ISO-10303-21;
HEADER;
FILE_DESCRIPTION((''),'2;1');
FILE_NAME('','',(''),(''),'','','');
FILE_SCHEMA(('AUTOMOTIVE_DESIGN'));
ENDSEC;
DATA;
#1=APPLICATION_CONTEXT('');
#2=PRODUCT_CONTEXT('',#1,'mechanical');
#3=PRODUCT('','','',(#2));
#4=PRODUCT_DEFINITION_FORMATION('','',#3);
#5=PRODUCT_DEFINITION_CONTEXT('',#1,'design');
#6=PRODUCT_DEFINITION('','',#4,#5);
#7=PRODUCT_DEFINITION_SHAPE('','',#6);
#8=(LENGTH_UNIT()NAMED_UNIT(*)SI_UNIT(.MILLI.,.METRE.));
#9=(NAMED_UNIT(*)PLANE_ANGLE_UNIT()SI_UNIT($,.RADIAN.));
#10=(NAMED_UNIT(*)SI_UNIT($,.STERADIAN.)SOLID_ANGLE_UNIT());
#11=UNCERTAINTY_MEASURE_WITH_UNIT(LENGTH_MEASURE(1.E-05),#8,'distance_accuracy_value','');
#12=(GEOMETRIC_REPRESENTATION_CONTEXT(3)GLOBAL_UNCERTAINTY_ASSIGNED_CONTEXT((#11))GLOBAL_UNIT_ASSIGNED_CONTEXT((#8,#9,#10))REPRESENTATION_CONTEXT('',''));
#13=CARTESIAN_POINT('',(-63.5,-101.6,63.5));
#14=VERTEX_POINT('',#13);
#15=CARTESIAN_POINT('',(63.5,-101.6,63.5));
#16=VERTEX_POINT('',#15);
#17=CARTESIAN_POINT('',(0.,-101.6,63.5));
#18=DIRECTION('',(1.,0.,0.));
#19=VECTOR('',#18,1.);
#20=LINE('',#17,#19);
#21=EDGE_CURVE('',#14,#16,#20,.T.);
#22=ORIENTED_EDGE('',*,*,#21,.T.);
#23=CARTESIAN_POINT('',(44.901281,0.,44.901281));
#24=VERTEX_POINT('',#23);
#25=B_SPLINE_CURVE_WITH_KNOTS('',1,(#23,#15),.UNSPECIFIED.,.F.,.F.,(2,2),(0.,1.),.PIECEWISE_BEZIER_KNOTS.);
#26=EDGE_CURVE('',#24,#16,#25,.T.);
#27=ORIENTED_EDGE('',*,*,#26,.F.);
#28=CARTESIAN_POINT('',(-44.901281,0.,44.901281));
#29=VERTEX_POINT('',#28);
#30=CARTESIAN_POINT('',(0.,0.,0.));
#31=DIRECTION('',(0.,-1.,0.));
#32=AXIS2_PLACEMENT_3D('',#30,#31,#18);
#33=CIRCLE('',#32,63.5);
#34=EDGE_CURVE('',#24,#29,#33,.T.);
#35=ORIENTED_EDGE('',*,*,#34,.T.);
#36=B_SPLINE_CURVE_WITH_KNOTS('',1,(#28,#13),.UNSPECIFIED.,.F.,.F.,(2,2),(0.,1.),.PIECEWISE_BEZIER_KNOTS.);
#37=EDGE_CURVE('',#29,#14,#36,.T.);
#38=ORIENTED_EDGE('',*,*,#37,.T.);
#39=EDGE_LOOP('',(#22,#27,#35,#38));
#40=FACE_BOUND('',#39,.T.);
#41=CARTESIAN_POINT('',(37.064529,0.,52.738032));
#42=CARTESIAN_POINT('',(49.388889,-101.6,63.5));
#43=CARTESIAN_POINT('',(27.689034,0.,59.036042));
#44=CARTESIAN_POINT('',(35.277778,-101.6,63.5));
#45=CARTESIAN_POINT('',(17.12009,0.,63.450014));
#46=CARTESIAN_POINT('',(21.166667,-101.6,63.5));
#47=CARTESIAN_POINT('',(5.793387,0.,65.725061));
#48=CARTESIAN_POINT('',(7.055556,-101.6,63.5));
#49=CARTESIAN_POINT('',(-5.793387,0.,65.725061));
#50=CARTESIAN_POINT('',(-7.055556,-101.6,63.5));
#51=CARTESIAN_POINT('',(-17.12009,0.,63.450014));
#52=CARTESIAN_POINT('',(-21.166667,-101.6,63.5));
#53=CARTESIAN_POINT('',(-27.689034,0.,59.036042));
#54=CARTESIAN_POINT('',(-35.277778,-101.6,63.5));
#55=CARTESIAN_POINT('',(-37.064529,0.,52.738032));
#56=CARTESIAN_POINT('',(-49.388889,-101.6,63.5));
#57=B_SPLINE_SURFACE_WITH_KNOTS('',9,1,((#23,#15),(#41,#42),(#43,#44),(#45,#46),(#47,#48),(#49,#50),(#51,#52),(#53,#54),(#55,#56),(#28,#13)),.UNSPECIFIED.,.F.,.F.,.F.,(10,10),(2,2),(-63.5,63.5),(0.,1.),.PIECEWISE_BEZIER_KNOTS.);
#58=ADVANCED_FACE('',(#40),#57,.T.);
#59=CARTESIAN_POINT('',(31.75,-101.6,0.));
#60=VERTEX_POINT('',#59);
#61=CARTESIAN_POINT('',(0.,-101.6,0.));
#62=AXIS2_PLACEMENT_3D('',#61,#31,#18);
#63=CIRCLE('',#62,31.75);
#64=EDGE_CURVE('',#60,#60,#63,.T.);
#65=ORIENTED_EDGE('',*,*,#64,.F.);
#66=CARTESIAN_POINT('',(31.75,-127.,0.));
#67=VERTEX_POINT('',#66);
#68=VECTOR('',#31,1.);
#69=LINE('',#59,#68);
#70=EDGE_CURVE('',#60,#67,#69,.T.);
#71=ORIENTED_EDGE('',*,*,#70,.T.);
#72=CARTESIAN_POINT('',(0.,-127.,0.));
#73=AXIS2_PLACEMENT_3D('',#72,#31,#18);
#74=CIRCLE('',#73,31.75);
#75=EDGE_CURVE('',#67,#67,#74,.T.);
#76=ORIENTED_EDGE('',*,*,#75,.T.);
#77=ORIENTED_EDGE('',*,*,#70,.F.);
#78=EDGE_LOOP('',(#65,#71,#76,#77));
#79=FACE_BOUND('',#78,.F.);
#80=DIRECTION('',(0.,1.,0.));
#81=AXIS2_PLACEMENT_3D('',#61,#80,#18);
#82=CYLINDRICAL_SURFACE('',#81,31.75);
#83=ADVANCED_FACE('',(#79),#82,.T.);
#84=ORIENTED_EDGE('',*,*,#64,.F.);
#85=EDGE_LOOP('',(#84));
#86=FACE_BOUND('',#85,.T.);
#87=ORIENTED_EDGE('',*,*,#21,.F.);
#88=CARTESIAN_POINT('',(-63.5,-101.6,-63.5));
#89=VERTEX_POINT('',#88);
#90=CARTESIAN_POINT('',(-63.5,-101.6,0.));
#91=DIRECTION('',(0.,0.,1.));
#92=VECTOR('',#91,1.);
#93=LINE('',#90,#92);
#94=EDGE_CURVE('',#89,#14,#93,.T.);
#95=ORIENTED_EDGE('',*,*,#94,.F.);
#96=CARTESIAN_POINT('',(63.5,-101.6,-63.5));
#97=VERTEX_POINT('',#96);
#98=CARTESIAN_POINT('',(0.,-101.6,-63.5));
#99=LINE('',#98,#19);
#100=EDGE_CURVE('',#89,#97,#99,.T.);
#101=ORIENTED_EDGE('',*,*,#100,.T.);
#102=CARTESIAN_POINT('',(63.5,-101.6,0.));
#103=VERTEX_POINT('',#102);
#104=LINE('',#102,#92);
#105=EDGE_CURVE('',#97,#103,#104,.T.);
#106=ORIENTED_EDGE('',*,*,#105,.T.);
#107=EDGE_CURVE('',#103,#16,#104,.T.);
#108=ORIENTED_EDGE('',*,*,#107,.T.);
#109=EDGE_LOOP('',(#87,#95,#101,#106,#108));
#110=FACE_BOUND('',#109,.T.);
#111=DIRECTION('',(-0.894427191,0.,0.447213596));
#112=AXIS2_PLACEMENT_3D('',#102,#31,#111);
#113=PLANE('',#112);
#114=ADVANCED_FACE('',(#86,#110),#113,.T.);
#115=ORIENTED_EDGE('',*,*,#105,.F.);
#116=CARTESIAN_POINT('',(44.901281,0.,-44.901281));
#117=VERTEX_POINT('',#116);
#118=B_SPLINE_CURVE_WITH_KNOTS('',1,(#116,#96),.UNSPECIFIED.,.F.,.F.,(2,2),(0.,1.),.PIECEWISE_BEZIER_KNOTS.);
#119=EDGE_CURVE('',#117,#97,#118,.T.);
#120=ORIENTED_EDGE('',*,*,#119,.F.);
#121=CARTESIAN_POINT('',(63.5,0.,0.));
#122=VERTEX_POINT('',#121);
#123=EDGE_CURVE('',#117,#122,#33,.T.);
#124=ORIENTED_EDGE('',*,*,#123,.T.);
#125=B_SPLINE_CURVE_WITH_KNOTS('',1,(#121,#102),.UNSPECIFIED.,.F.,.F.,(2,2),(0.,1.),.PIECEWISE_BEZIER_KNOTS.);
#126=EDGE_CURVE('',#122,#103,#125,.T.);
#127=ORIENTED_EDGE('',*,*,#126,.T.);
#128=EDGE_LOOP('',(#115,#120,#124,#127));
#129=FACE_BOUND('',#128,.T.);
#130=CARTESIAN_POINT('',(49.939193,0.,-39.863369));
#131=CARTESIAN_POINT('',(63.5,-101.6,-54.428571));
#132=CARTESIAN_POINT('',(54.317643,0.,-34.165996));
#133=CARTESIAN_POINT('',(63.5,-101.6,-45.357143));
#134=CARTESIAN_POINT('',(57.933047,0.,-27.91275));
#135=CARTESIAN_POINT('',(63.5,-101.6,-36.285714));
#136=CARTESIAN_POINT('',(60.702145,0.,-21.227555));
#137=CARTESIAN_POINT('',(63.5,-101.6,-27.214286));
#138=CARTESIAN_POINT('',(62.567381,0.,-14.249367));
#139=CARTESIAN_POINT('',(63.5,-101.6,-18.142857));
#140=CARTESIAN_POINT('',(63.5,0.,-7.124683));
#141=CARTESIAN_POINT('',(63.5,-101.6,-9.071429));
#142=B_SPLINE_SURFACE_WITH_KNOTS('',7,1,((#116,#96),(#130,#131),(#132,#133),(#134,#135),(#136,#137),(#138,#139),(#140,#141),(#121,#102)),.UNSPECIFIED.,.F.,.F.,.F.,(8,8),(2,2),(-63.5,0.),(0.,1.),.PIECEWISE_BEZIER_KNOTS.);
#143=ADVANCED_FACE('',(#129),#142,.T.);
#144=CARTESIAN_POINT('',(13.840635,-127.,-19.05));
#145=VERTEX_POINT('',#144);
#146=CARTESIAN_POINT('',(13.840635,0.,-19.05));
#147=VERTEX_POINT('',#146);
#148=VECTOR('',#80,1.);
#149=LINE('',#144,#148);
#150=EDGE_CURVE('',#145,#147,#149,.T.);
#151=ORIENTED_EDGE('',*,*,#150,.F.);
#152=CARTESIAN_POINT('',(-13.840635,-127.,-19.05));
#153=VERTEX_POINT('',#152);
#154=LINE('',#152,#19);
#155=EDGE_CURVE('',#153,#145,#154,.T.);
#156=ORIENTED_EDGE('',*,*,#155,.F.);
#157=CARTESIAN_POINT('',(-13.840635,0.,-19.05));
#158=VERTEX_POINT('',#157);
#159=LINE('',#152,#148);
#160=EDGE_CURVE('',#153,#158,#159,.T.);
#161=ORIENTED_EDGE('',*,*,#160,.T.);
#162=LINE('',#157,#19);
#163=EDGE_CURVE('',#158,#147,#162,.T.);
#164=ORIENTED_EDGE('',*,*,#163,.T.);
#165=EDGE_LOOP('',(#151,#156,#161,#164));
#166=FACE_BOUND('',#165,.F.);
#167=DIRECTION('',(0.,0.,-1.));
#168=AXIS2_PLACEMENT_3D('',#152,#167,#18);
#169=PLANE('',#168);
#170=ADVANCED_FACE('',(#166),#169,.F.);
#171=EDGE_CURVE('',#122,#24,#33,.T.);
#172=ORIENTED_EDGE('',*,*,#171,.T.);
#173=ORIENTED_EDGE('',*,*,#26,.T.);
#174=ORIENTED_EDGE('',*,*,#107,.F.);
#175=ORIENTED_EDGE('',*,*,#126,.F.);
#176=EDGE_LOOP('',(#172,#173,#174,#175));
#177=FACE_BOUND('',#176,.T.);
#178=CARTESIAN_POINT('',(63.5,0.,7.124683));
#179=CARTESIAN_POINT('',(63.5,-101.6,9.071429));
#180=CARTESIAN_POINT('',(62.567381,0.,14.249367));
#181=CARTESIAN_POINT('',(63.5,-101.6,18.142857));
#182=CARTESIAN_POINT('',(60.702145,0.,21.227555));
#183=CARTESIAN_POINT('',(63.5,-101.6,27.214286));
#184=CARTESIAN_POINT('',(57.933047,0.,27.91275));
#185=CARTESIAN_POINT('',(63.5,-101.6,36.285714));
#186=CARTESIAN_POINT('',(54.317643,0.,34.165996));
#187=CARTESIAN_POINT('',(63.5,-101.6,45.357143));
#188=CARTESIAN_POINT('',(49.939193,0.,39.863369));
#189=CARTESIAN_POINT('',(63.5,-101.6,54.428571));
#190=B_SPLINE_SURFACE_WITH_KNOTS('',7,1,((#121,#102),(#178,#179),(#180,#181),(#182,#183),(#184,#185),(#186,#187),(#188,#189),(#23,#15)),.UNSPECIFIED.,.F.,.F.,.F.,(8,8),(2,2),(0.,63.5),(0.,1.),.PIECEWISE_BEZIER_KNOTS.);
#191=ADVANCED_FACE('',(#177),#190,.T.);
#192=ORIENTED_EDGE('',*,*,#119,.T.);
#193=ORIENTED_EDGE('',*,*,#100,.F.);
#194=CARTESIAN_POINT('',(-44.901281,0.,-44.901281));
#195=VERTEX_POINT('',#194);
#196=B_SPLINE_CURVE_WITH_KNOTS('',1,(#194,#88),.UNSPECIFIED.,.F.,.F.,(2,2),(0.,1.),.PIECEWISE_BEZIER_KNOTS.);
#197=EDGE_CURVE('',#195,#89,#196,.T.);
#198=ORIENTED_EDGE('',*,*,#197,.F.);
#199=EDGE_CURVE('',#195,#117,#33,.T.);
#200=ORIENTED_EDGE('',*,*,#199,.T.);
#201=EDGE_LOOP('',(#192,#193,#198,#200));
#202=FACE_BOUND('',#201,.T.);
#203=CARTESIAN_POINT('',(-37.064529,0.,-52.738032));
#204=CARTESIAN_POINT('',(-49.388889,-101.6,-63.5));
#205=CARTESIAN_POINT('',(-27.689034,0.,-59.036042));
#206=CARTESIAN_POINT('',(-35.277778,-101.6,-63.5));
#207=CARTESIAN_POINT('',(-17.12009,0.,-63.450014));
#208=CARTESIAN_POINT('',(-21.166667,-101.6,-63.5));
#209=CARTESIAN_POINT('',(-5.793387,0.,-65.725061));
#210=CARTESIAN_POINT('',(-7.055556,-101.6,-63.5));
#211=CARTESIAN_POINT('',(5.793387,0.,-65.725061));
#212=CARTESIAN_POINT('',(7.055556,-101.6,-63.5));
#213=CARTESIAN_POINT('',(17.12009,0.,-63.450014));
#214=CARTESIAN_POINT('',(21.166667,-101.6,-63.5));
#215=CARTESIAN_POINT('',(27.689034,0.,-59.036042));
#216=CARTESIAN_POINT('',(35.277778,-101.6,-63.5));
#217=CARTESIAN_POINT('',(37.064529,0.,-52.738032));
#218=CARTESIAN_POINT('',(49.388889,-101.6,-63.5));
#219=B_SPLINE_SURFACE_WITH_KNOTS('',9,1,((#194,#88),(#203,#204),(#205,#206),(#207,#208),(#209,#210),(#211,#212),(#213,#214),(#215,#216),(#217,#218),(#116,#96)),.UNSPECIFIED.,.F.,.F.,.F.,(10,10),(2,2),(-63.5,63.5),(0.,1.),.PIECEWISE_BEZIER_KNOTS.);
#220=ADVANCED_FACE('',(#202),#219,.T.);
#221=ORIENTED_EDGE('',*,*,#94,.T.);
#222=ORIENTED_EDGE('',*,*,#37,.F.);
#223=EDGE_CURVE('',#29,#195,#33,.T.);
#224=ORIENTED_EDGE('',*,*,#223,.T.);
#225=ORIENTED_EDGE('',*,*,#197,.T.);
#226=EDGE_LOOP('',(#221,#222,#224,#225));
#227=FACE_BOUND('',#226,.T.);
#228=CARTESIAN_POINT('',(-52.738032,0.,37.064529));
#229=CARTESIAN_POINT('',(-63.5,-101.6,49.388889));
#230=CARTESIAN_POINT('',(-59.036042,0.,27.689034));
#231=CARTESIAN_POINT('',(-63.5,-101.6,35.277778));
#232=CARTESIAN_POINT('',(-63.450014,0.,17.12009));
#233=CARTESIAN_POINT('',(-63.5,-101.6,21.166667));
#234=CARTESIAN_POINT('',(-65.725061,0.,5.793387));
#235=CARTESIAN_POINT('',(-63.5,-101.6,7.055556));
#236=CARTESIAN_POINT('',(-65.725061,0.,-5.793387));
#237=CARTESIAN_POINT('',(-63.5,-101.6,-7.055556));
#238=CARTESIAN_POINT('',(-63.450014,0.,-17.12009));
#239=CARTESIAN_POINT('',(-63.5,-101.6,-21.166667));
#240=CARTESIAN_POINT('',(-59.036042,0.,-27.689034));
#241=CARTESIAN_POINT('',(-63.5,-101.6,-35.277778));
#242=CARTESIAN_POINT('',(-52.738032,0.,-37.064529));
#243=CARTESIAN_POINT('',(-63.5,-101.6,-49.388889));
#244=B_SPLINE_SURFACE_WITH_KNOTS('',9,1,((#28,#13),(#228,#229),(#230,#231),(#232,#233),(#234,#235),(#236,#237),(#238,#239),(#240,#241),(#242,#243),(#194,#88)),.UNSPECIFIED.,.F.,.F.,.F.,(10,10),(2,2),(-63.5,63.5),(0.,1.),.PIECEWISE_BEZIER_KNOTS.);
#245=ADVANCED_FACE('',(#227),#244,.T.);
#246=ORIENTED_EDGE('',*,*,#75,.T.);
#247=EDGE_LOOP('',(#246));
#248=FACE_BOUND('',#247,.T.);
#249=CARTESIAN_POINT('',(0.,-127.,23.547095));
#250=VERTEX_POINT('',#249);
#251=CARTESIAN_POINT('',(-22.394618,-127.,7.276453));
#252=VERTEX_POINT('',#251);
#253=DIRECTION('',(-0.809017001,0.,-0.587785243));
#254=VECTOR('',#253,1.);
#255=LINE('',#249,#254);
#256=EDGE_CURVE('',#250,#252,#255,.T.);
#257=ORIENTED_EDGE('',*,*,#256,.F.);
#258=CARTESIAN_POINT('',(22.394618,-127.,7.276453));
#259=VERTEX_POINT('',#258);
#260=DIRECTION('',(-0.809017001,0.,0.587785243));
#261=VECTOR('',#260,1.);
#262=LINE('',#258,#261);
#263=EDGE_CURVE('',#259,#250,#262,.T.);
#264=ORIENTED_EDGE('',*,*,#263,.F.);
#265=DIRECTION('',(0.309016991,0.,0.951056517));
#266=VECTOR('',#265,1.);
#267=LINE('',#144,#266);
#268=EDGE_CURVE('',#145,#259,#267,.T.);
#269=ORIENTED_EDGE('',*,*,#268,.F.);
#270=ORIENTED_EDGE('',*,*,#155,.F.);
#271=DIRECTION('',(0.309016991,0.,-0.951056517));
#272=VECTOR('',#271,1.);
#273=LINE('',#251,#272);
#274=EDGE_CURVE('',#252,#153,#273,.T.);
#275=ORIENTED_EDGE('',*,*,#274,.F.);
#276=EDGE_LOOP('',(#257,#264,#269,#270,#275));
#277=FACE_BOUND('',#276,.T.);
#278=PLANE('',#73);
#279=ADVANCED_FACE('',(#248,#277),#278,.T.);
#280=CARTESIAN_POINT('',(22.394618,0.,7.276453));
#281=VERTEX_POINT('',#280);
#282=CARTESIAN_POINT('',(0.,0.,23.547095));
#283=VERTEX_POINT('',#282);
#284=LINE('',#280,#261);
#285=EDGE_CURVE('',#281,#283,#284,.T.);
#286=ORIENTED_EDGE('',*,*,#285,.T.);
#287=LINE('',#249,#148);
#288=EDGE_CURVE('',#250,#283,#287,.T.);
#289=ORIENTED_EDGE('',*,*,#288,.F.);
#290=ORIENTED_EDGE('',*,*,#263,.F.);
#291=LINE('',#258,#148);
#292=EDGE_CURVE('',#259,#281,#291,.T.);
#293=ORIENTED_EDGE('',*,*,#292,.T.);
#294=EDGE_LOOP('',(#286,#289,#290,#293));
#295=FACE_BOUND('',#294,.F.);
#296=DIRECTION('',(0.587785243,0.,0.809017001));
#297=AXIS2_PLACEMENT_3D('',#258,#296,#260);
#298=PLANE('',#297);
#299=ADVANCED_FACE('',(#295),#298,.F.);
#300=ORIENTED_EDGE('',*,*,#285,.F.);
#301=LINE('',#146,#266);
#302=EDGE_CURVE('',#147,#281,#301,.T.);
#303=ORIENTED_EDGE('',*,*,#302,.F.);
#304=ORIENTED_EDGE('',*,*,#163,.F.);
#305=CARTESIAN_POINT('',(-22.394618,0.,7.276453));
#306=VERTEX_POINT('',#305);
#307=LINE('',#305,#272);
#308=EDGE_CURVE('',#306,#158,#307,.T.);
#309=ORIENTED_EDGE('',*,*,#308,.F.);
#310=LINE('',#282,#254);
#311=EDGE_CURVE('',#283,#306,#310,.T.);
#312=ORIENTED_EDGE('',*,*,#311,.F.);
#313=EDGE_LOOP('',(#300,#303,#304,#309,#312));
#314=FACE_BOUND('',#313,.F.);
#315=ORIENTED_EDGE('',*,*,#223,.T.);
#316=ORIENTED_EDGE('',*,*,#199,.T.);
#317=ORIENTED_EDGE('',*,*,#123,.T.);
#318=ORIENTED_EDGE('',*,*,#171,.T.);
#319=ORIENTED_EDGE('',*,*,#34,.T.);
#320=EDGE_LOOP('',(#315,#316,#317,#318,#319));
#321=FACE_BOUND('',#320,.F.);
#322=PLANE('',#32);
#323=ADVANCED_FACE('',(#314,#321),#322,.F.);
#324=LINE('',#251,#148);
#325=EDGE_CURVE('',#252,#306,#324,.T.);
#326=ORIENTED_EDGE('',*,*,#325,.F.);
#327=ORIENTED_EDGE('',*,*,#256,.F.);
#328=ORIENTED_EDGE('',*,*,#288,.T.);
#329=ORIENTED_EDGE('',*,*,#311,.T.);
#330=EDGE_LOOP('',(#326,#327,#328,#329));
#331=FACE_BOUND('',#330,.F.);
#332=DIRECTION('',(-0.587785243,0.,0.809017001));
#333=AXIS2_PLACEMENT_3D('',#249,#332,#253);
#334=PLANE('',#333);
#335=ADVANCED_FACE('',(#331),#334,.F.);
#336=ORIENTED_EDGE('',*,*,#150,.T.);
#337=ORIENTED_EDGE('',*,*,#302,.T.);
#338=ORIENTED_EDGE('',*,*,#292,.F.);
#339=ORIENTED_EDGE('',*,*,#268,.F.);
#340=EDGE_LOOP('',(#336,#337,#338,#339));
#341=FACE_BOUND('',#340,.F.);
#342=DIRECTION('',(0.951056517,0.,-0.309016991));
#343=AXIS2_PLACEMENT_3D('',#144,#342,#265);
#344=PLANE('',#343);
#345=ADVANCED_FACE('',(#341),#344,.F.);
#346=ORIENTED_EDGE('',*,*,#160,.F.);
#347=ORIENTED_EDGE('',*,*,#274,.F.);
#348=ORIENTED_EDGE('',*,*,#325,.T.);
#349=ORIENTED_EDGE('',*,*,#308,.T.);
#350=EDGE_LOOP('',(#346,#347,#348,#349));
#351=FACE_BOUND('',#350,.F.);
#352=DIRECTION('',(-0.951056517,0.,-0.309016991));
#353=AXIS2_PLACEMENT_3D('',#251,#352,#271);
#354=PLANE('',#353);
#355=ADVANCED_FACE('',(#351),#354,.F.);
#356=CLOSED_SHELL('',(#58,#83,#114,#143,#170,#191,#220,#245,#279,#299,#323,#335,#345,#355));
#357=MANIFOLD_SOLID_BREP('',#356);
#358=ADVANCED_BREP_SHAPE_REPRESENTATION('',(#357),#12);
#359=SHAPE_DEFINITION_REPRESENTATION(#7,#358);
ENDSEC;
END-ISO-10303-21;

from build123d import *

# Parameters (mm, degrees)
F0_R     = 63.5
F2_W     = 127
F2_H     = 127
F4_R     = 31.75
F5_DEPTH = 25.4
F7_DEPTH = 127


with BuildPart() as f3:
    # F0 (on Front) → F3 section 0
    with BuildSketch(Plane.XZ):
        Circle(F0_R)
    # F2 (on offset) → F3 section 1
    with BuildSketch(Plane.XZ.offset(101.6)):
        Rectangle(F2_W, F2_H)
    loft()

    # F4 (on face) → F5 (join)
    with BuildSketch(Plane.XZ.offset(101.6)):
        Circle(F4_R)
    extrude(amount=F5_DEPTH)

    # F6 (on face) → F7 (cut)
    with BuildSketch(Plane.XZ.offset(127)):
        Polygon((-22.394618, 7.276453), (-13.840635, -19.05), (13.840635, -19.05), (22.394618, 7.276453), (0, 23.547095), align=None)
    extrude(amount=-F7_DEPTH, mode=Mode.SUBTRACT)


solid = f3.part
